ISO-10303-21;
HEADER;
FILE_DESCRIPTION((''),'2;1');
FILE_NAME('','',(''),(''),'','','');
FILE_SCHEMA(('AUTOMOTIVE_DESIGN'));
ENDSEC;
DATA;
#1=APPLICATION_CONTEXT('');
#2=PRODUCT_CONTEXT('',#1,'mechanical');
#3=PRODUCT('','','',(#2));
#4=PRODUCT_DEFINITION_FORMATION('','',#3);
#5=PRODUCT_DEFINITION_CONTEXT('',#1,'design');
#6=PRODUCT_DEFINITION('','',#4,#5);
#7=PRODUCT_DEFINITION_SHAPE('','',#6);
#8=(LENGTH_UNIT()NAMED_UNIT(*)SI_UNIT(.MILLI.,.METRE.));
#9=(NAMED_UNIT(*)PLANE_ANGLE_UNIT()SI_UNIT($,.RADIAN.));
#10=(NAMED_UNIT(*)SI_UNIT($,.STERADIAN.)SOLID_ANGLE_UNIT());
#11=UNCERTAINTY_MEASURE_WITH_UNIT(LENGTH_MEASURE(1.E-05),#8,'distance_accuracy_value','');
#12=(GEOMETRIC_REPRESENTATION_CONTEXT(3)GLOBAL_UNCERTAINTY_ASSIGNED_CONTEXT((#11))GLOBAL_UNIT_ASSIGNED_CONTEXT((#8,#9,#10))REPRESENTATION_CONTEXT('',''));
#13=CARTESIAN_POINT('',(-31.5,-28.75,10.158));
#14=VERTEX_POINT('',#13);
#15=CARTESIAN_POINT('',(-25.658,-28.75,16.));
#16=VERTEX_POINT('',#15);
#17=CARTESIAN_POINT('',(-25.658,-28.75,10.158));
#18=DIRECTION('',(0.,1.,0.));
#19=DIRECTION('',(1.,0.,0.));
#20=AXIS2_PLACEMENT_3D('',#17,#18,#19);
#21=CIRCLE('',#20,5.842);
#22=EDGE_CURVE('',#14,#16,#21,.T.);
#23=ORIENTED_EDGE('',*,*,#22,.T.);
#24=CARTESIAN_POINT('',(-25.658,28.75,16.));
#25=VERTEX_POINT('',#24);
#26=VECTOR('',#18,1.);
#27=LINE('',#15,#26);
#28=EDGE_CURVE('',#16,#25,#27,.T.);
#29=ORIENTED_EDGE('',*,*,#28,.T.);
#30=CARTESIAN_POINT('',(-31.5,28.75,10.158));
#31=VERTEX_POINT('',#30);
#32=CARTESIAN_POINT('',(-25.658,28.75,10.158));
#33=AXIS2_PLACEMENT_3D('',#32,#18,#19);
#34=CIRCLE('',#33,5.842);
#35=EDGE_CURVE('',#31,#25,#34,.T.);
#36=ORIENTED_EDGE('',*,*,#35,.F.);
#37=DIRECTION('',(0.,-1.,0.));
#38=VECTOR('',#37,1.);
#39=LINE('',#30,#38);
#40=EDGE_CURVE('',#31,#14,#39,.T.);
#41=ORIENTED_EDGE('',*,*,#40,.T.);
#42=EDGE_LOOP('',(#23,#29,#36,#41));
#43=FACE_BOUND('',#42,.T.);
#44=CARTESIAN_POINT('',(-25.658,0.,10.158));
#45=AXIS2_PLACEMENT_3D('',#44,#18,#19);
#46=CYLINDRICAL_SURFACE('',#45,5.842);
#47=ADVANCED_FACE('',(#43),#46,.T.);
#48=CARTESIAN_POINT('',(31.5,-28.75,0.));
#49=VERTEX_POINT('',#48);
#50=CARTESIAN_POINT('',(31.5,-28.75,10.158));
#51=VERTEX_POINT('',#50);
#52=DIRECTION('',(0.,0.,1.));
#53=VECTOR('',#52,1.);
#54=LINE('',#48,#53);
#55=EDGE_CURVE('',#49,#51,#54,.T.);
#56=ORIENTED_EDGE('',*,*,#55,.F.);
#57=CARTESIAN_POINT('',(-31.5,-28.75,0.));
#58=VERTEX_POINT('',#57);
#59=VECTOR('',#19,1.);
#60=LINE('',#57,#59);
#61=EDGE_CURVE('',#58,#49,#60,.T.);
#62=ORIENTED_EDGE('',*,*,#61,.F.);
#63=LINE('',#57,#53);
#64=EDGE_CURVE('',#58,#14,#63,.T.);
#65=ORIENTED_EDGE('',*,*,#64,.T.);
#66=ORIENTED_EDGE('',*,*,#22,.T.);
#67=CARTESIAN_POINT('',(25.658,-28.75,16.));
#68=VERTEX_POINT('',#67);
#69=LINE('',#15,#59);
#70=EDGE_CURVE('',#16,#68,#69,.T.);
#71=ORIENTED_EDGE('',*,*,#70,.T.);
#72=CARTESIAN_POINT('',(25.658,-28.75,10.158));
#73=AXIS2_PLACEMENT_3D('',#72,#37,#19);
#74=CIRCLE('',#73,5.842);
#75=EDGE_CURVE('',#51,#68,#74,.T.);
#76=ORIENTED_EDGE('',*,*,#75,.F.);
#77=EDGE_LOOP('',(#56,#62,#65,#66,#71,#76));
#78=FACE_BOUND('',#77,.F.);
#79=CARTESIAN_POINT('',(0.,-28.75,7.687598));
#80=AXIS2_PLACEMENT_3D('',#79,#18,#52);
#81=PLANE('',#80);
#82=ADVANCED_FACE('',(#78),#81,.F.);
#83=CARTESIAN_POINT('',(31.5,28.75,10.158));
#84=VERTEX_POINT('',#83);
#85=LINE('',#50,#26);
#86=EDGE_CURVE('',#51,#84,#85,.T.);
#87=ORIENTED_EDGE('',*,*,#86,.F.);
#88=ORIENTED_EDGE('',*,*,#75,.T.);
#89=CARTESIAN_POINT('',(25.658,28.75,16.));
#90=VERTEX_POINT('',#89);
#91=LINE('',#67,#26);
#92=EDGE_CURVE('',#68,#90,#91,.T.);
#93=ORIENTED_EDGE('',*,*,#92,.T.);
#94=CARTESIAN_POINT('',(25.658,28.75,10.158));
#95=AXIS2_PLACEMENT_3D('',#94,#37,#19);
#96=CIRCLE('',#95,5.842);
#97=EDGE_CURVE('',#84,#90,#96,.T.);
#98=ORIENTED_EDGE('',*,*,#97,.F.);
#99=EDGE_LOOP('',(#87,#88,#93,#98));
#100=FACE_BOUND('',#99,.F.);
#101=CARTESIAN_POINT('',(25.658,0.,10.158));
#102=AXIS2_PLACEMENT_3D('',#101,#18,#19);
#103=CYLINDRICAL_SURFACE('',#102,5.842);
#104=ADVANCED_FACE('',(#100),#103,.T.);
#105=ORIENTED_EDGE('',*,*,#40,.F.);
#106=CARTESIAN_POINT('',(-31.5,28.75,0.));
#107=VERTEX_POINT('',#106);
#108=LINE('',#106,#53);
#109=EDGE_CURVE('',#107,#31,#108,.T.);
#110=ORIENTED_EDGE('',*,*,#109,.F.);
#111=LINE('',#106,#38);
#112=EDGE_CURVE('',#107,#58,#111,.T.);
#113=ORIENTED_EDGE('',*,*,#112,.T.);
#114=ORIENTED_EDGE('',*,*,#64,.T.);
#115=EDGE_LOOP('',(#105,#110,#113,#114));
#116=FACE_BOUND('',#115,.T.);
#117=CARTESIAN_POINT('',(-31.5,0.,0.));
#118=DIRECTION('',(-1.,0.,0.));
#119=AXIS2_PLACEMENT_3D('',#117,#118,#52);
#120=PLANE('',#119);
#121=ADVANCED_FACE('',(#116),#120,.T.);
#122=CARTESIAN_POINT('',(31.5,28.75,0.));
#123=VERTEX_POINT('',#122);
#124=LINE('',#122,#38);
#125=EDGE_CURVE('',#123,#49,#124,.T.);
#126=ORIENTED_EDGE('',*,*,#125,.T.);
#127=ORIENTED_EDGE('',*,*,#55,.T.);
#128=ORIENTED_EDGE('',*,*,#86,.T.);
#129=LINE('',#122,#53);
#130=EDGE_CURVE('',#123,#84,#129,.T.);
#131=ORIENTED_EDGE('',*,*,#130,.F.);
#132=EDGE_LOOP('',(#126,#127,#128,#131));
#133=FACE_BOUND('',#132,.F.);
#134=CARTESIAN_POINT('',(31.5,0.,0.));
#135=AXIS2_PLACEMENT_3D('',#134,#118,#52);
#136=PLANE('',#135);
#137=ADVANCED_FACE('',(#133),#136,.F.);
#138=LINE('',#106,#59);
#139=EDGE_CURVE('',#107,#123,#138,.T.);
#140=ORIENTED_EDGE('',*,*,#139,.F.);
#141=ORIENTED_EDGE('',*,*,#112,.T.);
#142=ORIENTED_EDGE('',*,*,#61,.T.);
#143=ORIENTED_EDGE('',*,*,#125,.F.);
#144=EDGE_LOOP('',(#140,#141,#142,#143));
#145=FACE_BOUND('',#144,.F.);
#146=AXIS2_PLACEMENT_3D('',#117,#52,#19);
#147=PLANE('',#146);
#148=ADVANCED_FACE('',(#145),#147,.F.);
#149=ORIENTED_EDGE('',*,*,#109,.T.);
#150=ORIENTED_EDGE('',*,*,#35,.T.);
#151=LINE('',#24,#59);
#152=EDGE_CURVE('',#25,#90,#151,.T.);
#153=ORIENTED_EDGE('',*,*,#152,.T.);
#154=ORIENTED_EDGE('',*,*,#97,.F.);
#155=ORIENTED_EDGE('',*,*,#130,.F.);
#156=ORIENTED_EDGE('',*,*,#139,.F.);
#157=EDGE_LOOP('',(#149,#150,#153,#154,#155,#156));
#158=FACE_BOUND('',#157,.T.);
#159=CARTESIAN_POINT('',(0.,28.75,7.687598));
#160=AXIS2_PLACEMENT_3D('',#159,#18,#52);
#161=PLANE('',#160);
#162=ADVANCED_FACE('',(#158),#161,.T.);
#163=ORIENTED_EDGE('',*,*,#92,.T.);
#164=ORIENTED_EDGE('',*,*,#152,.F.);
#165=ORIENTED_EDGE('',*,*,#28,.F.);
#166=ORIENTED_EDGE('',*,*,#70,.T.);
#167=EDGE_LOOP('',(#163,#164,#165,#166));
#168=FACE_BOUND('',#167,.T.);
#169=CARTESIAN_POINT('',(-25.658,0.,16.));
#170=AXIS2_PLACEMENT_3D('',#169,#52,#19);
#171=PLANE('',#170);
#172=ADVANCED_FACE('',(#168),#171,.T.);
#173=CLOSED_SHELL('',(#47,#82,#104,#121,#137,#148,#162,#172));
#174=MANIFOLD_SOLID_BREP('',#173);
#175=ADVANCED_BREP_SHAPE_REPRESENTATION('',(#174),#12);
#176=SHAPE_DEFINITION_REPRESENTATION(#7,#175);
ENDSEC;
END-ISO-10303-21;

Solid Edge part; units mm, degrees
sketch "Sketch1" plane through (0, 0, 0) normal (0, -1, 0) x (1, 0, 0)
  arc A0 (-31.5, 10.158) -> (-25.658, 16) centre (-25.658, 10.158) cw
  line L0 (-25.658, 16) -> (25.658, 16)
  arc A1 (31.5, 10.158) -> (25.658, 16) centre (25.658, 10.158) ccw
  line L1 (31.5, 0) -> (31.5, 10.158)
  line L2 (-31.5, 0) -> (31.5, 0)
  line L3 (-31.5, 0) -> (-31.5, 10.158)
extrude "Protrusion1" add sketch "Sketch1" along normal mid plane 57.5
